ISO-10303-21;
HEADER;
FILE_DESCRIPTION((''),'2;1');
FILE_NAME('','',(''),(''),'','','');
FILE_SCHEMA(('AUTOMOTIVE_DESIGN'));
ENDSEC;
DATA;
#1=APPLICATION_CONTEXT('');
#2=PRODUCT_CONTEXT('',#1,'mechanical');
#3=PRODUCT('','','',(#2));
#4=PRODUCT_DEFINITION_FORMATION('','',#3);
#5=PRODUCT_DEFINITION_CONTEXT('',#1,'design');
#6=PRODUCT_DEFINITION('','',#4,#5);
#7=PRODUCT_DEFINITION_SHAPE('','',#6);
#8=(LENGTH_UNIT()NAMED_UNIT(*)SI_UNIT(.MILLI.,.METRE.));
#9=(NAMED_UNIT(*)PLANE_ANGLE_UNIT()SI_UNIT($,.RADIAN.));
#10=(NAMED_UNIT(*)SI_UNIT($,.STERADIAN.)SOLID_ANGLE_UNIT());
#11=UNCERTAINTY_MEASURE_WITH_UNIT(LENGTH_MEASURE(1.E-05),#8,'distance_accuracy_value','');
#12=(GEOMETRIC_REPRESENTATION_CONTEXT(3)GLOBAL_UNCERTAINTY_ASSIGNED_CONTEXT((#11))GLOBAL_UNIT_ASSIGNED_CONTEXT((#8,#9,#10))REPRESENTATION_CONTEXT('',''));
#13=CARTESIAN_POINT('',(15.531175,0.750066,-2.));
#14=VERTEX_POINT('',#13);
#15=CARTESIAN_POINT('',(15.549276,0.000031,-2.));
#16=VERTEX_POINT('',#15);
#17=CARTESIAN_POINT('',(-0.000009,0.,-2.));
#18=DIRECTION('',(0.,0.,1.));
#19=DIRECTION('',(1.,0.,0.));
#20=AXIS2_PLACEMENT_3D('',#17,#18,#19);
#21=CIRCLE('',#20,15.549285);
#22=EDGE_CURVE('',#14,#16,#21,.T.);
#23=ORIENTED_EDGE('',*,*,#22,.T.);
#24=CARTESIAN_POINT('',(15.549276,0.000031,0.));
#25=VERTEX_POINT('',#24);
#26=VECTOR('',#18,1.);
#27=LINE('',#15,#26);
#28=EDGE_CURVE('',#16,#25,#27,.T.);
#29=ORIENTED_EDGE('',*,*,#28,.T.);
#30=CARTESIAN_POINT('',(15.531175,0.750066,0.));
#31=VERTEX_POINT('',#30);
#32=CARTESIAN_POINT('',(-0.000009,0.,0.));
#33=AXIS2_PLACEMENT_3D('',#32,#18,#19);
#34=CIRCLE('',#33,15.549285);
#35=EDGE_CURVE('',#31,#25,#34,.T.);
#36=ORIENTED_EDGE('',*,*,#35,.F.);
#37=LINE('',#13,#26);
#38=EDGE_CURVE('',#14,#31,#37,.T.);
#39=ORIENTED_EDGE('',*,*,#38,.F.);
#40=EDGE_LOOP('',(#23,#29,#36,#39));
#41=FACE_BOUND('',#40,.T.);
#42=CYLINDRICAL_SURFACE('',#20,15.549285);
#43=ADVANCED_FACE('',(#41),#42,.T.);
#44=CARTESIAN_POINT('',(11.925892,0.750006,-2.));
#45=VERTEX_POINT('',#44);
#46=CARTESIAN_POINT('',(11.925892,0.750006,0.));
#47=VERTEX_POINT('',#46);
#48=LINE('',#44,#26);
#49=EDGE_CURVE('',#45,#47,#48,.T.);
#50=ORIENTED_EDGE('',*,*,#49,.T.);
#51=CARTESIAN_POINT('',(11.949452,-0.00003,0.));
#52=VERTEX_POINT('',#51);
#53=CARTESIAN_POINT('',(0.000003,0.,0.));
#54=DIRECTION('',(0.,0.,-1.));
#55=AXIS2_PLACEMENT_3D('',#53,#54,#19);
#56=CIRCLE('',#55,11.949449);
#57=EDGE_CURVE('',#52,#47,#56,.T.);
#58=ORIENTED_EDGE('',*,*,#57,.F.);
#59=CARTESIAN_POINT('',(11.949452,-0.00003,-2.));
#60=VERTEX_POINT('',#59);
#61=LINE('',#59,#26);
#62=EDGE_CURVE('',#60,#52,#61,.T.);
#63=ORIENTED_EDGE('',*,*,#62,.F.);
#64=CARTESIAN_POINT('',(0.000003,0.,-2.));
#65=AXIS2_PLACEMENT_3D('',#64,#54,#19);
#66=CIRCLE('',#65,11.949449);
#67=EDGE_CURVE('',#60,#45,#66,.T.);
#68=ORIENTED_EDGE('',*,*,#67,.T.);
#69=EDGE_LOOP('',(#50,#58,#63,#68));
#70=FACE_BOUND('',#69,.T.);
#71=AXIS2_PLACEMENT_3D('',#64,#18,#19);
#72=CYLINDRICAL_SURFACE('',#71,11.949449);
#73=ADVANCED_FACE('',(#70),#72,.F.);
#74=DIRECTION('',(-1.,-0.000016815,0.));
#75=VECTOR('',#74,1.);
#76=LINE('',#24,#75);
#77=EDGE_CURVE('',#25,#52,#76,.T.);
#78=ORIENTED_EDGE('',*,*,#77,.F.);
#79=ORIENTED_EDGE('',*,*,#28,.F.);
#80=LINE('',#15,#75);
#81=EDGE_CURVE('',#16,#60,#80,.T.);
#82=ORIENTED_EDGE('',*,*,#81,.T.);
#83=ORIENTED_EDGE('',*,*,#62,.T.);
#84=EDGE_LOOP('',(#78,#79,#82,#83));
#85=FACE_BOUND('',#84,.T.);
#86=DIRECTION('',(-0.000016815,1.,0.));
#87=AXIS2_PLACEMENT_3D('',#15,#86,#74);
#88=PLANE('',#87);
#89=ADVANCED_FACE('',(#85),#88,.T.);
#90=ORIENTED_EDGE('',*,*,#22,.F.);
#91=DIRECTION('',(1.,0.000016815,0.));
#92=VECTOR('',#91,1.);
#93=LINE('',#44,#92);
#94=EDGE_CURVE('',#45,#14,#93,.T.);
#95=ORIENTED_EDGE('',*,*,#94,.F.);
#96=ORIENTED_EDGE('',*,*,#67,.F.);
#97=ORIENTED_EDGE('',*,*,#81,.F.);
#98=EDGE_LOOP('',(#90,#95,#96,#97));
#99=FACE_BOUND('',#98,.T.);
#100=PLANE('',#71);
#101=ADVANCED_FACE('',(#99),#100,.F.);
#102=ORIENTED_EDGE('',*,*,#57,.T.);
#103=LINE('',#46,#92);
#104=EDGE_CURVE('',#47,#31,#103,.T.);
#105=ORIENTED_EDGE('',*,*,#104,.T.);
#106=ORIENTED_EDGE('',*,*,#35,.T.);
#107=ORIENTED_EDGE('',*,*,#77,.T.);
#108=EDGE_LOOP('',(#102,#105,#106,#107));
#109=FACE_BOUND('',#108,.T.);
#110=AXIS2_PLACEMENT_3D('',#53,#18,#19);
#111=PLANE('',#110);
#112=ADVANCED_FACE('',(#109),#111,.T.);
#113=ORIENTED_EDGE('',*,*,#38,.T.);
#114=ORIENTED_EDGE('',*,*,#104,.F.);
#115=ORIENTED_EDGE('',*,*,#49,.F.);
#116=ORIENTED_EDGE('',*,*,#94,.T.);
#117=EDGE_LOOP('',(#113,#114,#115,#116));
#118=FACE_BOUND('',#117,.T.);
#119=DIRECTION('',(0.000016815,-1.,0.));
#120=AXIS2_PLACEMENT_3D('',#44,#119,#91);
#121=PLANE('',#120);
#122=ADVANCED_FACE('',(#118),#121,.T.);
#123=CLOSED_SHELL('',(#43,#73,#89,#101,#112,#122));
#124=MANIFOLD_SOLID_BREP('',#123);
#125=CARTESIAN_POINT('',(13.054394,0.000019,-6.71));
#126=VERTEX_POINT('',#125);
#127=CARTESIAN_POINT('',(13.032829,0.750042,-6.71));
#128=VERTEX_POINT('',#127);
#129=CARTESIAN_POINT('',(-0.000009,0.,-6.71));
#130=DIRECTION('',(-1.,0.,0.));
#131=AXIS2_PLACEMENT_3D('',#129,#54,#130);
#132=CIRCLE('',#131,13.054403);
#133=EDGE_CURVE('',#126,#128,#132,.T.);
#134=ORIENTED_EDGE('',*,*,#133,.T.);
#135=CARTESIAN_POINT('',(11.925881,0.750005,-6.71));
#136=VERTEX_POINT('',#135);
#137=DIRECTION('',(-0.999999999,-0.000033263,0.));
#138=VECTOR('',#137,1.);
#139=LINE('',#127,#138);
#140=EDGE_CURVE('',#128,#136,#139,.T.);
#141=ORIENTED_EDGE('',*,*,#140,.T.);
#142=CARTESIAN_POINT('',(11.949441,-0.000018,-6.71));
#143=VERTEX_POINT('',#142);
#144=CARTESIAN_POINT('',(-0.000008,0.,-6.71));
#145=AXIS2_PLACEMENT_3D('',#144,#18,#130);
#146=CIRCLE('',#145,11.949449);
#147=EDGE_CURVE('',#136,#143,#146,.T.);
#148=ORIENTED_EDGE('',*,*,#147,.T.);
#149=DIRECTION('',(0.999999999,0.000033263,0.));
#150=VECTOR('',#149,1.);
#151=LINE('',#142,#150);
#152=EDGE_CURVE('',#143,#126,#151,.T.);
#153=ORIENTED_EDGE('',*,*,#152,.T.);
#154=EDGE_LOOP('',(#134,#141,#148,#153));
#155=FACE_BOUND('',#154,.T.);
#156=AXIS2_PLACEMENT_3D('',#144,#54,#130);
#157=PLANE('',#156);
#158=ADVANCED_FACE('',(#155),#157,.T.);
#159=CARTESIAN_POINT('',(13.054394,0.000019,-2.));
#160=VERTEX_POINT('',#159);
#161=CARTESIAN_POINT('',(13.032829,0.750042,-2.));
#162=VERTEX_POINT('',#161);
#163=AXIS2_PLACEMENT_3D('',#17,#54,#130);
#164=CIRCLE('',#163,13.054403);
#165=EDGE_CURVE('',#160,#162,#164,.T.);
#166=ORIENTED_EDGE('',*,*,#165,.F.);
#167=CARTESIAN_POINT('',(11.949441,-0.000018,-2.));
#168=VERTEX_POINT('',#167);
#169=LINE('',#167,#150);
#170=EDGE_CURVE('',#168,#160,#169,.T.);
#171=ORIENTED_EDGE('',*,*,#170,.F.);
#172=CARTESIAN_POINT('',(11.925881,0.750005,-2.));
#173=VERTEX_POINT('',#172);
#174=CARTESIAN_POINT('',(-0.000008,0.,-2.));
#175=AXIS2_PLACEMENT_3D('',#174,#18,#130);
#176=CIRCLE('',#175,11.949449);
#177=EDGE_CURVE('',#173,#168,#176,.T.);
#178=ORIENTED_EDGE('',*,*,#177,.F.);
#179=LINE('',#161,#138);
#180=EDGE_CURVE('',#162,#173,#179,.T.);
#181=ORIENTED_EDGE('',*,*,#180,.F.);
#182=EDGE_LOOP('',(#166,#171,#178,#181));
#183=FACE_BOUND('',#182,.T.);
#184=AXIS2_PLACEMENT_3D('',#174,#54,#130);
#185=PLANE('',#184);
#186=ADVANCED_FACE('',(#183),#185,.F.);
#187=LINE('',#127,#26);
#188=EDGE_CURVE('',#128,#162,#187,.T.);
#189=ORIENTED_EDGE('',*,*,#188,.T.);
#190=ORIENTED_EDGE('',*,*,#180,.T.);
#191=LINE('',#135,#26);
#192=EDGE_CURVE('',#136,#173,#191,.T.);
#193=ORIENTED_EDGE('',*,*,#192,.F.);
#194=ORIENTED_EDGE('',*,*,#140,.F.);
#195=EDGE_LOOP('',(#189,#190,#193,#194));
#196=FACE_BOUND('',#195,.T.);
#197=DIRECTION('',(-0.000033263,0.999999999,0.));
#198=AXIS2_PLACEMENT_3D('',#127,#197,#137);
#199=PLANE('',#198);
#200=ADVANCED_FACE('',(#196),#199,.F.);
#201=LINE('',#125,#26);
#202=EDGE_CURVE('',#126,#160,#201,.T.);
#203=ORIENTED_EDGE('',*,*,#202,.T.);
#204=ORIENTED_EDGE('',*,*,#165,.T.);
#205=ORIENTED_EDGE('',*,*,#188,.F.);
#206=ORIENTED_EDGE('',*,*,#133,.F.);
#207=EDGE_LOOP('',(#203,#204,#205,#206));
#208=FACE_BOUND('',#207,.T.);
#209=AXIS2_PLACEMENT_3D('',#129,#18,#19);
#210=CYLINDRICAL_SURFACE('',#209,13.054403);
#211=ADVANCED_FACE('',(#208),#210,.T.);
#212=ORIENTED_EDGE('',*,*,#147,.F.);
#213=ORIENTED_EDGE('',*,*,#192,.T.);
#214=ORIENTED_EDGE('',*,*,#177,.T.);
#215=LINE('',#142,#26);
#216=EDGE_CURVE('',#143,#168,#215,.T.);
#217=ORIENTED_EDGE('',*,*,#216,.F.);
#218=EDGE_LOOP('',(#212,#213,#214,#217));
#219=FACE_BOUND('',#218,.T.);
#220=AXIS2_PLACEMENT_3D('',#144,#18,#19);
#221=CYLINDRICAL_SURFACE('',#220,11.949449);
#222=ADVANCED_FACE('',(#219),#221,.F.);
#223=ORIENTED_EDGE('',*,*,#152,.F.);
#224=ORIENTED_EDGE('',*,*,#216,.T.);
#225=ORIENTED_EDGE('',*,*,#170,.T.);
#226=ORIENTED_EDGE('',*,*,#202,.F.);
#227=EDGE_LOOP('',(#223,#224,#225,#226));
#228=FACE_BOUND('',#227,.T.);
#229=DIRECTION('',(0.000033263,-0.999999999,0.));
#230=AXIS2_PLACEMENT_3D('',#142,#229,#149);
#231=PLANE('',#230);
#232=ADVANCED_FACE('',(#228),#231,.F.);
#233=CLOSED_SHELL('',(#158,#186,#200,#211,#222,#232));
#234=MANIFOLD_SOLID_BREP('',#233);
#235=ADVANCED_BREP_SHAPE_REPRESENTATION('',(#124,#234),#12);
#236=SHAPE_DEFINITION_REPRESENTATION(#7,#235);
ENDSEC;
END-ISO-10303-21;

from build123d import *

# Parameters (mm, degrees)
BOSS_EXTRUDE2_DEPTH = 2
BOSS_EXTRUDE3_DEPTH = 4.71


with BuildPart() as part:
    # Sketch1 → Boss-Extrude2 (new body)
    with BuildSketch(Plane.XY):
        with BuildLine():
            Line((11.925891602, 0.750005761), (15.531174529, 0.750066382))
            ThreePointArc((15.531174529, 0.750066382), (-15.544767078, -0.375158498), (15.549275935, 3.0615e-05))
            Line((15.549275935, 3.0615e-05), (11.94945183, -2.9915e-05))
            ThreePointArc((11.94945183, -2.9915e-05), (-11.943555264, -0.375172617), (11.925891602, 0.750005761))
        make_face()
    extrude(amount=-BOSS_EXTRUDE2_DEPTH)


with BuildPart() as body_2:
    # Sketch2 → Boss-Extrude3 (new body)
    with BuildSketch(Plane(origin=(0, 0, -2), x_dir=(-1, 0, 0), z_dir=(0, 0, -1))):
        with BuildLine():
            Line((-11.949441301, -1.8109e-05), (-13.054393914, 1.8645e-05))
            ThreePointArc((-13.054393914, 1.8645e-05), (13.049018878, -0.375186095), (-13.032829211, 0.750041992))
            Line((-13.032829211, 0.750041992), (-11.925881078, 0.750005172))
            ThreePointArc((-11.925881078, 0.750005172), (11.943565601, -0.375179241), (-11.949441301, -1.8109e-05))
        make_face()
    extrude(amount=BOSS_EXTRUDE3_DEPTH)


solid = Compound([part.part, body_2.part])
